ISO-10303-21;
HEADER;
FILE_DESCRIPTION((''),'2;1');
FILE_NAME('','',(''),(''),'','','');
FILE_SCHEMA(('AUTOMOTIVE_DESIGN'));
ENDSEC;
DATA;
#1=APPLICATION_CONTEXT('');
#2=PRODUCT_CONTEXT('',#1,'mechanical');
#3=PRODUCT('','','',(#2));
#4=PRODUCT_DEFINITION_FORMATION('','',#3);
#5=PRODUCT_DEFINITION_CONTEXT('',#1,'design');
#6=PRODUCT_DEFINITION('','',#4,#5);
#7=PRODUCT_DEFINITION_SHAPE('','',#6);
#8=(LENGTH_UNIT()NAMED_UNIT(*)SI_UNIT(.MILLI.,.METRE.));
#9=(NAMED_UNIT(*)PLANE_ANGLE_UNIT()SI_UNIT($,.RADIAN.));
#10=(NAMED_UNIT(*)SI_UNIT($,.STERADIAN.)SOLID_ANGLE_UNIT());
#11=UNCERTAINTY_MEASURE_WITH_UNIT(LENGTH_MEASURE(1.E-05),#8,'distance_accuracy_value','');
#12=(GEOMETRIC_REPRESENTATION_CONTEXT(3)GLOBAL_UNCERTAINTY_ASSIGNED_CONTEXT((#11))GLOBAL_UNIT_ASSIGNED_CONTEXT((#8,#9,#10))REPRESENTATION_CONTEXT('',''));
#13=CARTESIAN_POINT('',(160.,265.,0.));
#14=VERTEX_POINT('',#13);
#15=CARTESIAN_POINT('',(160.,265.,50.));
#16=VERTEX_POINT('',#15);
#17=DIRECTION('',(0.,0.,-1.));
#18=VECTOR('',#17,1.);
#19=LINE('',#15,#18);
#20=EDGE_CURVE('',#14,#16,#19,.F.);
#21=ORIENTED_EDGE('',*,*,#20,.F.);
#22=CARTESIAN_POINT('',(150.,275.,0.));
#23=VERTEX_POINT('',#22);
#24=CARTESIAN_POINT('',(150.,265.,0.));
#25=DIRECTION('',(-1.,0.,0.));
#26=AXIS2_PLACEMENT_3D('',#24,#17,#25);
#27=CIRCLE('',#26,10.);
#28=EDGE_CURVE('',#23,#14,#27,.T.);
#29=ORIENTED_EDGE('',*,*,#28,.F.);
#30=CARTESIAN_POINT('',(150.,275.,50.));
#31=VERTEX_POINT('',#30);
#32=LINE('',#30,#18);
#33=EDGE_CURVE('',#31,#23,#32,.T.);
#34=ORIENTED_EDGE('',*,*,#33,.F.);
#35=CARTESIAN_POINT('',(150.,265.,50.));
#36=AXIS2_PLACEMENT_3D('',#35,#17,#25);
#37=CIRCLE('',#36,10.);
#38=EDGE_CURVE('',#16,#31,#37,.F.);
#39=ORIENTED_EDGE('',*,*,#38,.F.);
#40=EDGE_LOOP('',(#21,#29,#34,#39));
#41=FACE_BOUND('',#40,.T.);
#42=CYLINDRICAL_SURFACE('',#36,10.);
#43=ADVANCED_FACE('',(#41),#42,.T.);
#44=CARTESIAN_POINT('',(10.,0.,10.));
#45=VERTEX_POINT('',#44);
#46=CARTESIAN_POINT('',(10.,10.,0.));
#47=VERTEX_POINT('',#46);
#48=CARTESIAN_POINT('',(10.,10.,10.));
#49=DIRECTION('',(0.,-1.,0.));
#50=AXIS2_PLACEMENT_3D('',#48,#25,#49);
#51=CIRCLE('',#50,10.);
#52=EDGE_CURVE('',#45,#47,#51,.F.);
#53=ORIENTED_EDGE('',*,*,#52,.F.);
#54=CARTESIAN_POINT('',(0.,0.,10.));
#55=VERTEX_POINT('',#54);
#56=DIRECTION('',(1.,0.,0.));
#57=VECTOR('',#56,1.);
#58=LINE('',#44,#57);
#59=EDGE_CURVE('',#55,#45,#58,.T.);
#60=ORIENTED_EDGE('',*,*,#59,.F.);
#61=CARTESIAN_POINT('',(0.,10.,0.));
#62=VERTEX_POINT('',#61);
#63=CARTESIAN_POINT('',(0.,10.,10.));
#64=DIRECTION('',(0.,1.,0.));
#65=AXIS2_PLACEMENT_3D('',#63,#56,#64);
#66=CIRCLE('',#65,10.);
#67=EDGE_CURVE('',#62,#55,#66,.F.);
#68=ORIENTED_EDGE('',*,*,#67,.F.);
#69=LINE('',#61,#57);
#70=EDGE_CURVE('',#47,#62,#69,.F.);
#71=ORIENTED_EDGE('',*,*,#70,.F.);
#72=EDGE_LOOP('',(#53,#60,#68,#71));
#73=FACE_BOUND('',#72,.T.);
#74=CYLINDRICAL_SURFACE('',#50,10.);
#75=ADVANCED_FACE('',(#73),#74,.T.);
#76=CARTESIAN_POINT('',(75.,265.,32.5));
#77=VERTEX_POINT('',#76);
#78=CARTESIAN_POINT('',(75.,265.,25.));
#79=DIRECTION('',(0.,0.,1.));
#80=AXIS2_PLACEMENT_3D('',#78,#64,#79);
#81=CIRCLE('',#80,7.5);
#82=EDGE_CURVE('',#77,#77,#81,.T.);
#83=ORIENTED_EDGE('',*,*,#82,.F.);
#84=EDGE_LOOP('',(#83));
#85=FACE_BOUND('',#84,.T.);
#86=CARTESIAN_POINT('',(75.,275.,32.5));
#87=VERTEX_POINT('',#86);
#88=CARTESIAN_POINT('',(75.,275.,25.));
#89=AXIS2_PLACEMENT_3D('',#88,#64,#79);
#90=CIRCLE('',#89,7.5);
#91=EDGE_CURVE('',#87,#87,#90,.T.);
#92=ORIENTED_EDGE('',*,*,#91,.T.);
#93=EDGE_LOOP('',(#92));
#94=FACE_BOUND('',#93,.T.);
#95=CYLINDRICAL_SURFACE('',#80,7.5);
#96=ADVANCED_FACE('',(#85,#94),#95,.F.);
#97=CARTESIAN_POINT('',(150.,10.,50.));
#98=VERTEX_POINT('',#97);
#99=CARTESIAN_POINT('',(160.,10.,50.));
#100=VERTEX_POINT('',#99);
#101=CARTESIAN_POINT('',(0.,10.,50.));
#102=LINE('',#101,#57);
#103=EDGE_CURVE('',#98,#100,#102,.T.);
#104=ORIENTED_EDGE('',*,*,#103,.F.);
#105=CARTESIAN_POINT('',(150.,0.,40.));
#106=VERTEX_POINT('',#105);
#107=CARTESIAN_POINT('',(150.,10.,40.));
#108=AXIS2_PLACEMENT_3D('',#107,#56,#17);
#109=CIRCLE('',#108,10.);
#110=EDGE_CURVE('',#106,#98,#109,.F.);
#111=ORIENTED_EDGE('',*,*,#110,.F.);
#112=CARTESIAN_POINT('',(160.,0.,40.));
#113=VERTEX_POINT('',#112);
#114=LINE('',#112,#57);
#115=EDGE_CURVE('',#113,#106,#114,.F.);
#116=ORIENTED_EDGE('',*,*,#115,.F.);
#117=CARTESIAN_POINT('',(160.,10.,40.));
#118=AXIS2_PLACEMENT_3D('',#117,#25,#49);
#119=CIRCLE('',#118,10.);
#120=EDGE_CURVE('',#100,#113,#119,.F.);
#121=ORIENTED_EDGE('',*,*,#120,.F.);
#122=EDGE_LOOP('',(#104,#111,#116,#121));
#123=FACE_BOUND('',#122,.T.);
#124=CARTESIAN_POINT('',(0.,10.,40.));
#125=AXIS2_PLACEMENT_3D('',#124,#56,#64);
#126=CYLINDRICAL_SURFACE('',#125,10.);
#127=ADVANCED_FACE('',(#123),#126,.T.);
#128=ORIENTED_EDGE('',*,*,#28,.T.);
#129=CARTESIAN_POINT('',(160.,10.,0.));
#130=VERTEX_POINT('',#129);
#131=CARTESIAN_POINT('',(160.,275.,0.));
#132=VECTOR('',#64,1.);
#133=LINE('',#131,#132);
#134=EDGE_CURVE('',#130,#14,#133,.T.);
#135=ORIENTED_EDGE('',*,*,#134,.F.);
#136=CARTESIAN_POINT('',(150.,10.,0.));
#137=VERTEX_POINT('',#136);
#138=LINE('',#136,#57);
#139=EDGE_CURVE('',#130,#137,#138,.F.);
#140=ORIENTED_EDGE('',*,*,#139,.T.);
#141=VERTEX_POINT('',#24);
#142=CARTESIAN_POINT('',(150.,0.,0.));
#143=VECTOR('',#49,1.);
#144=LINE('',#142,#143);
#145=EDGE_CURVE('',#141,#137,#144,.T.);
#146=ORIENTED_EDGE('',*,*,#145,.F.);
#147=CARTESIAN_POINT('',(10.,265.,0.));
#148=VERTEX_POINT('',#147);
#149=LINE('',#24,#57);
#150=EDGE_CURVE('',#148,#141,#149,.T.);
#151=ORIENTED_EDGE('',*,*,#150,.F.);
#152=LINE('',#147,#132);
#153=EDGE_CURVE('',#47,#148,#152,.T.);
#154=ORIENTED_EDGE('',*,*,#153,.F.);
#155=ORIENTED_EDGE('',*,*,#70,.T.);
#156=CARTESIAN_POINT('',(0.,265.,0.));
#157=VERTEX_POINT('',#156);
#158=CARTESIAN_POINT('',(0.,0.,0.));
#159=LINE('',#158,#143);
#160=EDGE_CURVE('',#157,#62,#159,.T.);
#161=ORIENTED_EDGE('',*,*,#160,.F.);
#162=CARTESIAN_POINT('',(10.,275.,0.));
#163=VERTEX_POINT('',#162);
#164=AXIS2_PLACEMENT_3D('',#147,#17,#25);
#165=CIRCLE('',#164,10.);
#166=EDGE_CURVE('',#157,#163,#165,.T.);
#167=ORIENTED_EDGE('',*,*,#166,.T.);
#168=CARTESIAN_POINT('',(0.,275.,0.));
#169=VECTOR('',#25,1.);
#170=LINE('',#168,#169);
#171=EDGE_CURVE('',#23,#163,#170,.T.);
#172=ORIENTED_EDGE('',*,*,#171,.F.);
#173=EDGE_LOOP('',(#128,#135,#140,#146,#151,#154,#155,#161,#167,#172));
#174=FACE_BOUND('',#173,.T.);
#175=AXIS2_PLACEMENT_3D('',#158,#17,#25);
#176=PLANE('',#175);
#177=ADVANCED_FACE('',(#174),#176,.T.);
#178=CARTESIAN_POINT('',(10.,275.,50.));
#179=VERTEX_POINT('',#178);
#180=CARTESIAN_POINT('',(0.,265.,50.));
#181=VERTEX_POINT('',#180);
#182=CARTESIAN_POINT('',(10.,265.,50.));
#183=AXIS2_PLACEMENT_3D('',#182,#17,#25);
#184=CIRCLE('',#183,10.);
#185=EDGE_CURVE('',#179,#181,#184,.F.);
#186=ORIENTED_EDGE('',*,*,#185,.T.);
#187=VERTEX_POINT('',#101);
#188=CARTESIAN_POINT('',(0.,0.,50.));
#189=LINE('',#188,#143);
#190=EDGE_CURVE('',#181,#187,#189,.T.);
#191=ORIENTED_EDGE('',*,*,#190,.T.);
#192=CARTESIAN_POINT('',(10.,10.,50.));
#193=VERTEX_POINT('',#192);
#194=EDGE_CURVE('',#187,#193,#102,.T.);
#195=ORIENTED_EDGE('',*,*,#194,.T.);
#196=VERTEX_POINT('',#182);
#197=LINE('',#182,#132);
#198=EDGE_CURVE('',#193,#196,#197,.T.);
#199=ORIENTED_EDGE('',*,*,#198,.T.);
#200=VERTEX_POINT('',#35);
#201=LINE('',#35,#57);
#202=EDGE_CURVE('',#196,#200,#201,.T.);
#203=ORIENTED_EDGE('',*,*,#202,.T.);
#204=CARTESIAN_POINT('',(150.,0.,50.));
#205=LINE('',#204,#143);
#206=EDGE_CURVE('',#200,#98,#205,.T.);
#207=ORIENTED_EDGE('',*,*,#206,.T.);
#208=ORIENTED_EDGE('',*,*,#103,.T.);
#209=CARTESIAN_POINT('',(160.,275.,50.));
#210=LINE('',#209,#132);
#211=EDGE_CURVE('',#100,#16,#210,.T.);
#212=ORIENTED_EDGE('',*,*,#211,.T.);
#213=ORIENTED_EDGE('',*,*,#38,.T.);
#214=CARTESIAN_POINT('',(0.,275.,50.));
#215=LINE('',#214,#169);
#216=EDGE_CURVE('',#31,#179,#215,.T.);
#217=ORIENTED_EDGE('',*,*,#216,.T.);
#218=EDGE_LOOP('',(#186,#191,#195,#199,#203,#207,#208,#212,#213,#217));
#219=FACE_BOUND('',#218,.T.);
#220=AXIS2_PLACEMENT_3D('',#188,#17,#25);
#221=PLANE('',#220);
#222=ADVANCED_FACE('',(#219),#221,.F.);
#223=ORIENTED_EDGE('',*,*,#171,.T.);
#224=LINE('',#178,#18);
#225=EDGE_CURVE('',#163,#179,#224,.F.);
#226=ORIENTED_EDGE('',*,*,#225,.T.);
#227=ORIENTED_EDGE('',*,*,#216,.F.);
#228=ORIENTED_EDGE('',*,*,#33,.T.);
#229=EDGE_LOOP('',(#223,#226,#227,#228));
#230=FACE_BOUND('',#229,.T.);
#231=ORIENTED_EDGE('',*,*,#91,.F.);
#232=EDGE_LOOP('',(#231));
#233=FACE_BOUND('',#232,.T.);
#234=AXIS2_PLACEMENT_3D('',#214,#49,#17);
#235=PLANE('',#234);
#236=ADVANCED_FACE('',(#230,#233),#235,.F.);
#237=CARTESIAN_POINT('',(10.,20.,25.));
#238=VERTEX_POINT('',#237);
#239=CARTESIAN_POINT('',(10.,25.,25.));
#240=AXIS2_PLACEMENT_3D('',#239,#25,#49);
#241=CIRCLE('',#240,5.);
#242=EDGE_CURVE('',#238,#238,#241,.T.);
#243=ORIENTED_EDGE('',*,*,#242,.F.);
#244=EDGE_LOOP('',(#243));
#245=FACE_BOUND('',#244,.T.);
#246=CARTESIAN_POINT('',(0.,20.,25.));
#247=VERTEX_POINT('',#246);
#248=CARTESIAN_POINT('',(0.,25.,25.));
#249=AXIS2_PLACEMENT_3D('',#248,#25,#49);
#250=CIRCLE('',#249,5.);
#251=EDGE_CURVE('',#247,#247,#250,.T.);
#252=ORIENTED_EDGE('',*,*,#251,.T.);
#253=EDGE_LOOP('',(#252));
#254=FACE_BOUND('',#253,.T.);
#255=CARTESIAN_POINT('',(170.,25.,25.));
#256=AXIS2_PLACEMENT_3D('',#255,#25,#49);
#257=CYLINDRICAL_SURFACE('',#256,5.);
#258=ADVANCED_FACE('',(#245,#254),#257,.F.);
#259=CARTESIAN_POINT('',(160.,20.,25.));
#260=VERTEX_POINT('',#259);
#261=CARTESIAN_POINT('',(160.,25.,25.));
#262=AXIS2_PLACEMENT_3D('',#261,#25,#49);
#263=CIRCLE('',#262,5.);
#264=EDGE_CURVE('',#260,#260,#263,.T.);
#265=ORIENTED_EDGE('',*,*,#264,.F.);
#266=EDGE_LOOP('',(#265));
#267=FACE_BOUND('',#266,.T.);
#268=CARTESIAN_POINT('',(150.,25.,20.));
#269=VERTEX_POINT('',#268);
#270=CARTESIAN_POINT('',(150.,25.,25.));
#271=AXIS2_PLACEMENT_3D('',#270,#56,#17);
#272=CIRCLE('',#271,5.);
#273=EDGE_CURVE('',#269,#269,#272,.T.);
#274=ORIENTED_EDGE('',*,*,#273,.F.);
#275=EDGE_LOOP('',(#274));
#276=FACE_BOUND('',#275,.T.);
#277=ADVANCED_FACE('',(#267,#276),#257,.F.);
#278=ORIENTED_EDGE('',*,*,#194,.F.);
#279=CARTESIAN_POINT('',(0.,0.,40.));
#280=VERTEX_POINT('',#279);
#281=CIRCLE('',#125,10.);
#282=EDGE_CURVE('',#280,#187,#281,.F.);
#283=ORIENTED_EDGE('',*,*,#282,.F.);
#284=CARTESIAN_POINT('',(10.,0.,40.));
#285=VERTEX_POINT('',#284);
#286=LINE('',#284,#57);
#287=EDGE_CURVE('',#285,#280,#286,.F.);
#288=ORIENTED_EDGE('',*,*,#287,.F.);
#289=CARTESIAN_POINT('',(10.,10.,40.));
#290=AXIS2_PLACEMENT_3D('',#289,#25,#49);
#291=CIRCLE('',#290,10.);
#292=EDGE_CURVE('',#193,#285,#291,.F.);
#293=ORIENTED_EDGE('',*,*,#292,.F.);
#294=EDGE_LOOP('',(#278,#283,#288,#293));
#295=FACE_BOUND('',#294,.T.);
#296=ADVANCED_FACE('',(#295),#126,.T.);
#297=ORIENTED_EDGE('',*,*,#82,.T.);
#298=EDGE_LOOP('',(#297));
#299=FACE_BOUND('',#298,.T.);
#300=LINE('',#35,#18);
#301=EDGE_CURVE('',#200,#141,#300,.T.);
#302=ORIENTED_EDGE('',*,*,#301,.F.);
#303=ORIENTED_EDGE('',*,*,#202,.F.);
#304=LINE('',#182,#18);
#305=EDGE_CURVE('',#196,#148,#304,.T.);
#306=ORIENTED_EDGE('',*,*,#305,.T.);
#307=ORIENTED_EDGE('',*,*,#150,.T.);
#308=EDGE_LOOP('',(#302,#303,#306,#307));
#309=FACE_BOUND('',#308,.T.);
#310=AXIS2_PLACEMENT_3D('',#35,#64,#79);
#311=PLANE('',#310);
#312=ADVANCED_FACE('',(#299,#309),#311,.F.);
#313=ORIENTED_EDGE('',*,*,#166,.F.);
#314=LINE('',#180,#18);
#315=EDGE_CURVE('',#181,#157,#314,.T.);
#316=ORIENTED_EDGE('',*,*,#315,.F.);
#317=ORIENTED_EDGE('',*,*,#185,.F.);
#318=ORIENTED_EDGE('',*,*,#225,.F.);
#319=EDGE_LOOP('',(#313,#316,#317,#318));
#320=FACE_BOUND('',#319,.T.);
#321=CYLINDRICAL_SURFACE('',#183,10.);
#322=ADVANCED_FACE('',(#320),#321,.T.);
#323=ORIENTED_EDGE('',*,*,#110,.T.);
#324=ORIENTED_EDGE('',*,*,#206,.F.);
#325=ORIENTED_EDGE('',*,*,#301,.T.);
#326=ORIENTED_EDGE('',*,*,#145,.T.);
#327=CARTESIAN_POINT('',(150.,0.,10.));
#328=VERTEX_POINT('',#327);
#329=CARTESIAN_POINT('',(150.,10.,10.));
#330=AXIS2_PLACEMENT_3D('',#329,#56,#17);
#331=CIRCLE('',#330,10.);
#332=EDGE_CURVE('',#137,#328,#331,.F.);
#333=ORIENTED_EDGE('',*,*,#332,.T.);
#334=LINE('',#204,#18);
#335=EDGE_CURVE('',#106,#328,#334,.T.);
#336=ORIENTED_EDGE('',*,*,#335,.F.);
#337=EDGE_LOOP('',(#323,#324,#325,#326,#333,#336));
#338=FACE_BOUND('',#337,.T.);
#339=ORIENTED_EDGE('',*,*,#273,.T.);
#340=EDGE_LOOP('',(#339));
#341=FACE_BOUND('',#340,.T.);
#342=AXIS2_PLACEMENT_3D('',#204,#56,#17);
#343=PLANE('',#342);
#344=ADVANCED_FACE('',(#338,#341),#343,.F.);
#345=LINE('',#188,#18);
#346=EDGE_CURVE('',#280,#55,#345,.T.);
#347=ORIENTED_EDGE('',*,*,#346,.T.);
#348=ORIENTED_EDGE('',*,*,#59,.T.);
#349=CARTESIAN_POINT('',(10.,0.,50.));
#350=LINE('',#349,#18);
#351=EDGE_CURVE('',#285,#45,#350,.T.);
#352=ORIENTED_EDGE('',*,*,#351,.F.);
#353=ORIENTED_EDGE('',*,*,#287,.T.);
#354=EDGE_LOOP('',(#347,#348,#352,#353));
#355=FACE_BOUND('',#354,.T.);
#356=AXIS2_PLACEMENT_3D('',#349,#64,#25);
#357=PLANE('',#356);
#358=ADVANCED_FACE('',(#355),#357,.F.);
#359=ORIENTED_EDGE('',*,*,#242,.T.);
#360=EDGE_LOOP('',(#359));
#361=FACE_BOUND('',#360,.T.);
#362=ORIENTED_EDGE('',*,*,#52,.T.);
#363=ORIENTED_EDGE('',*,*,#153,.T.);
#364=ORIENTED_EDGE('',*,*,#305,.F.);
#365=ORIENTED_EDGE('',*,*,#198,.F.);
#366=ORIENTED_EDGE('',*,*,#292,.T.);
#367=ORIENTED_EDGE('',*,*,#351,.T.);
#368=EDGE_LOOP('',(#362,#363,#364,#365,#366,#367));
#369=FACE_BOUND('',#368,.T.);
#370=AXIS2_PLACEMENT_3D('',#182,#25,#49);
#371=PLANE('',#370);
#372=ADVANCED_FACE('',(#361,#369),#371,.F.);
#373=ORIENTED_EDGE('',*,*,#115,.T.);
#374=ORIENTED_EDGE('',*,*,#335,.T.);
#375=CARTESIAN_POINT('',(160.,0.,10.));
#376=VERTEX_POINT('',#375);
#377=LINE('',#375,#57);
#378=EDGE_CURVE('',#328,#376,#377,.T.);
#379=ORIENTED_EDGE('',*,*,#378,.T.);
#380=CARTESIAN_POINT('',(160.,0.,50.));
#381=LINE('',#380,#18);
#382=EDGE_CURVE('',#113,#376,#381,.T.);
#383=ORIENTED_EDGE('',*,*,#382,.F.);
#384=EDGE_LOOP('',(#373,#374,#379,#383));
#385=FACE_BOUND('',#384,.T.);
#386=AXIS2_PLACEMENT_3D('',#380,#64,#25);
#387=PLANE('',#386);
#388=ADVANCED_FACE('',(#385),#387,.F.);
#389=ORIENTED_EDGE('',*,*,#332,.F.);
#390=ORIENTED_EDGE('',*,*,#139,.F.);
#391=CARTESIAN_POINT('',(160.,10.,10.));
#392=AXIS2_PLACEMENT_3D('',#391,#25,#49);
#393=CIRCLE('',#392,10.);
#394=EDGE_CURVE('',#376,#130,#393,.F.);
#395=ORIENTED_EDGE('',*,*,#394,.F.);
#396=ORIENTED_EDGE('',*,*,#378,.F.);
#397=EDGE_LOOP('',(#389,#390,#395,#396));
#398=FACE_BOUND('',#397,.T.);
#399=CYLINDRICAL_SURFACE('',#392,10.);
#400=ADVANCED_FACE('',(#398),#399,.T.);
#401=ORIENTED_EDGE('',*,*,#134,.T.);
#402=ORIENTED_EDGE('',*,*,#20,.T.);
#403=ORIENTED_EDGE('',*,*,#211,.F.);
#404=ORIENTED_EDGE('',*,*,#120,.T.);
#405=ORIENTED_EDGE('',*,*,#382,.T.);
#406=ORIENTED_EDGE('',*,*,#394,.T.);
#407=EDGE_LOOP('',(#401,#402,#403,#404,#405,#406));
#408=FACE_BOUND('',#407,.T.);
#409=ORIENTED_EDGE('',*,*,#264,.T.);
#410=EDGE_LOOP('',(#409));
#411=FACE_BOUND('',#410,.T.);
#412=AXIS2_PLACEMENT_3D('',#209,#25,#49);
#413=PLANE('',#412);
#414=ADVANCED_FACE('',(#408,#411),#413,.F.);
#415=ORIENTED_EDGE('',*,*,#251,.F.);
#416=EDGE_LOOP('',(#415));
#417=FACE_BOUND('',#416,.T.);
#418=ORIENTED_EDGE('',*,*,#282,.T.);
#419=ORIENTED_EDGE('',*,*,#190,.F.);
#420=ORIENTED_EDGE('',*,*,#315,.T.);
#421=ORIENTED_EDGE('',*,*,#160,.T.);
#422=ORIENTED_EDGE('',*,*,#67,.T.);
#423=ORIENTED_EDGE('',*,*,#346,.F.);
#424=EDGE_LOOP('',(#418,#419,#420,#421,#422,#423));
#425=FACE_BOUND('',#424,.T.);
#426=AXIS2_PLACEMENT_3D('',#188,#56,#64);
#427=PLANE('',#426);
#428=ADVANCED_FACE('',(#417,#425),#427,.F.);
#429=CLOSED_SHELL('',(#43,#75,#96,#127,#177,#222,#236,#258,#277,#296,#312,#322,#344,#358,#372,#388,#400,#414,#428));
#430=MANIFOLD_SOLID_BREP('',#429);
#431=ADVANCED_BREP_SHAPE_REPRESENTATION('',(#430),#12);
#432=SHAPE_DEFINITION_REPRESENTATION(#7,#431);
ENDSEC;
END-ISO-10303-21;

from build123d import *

# Parameters (mm, degrees)
BOSS_EXTRUDE1_DEPTH = 50
FILLET1_R           = 10
SKETCH2_R           = 5
CUT_EXTRUDE1_DEPTH  = 170
SKETCH4_R           = 7.5
CUT_EXTRUDE2_DEPTH  = 10


with BuildPart() as part:
    # Sketch1 → Boss-Extrude1 (new body)
    with BuildSketch(Plane.XY):
        Polygon((0, 0), (0, 275), (160, 275), (160, 0), (150, 0), (150, 265), (10, 265), (10, 0), align=None)
    extrude(amount=BOSS_EXTRUDE1_DEPTH)

    # Fillet1
    fillet1_edges = [part.edges().sort_by_distance(p)[0] for p in [
        (5, 0, 0),
        (0, 275, 25),
        (160, 275, 25),
        (155, 0, 50),
        (5, 0, 50),
        (155, 0, 0),
    ]]
    fillet(fillet1_edges, radius=FILLET1_R)

    # Sketch2 → Cut-Extrude1 (cut)
    with BuildSketch(Plane.ZY):
        with Locations(Location((25, 25, 0), (0, 0, 270))):
            Circle(SKETCH2_R)
    extrude(amount=-CUT_EXTRUDE1_DEPTH, mode=Mode.SUBTRACT)

    # Sketch4 → Cut-Extrude2 (cut)
    with BuildSketch(Plane(origin=(0, 275, 0), x_dir=(1, 0, 0), z_dir=(0, 1, 0))):
        with Locations(Location((75, -25, 0), (0, 0, 270))):
            Circle(SKETCH4_R)
    extrude(amount=-CUT_EXTRUDE2_DEPTH, mode=Mode.SUBTRACT)


solid = part.part
